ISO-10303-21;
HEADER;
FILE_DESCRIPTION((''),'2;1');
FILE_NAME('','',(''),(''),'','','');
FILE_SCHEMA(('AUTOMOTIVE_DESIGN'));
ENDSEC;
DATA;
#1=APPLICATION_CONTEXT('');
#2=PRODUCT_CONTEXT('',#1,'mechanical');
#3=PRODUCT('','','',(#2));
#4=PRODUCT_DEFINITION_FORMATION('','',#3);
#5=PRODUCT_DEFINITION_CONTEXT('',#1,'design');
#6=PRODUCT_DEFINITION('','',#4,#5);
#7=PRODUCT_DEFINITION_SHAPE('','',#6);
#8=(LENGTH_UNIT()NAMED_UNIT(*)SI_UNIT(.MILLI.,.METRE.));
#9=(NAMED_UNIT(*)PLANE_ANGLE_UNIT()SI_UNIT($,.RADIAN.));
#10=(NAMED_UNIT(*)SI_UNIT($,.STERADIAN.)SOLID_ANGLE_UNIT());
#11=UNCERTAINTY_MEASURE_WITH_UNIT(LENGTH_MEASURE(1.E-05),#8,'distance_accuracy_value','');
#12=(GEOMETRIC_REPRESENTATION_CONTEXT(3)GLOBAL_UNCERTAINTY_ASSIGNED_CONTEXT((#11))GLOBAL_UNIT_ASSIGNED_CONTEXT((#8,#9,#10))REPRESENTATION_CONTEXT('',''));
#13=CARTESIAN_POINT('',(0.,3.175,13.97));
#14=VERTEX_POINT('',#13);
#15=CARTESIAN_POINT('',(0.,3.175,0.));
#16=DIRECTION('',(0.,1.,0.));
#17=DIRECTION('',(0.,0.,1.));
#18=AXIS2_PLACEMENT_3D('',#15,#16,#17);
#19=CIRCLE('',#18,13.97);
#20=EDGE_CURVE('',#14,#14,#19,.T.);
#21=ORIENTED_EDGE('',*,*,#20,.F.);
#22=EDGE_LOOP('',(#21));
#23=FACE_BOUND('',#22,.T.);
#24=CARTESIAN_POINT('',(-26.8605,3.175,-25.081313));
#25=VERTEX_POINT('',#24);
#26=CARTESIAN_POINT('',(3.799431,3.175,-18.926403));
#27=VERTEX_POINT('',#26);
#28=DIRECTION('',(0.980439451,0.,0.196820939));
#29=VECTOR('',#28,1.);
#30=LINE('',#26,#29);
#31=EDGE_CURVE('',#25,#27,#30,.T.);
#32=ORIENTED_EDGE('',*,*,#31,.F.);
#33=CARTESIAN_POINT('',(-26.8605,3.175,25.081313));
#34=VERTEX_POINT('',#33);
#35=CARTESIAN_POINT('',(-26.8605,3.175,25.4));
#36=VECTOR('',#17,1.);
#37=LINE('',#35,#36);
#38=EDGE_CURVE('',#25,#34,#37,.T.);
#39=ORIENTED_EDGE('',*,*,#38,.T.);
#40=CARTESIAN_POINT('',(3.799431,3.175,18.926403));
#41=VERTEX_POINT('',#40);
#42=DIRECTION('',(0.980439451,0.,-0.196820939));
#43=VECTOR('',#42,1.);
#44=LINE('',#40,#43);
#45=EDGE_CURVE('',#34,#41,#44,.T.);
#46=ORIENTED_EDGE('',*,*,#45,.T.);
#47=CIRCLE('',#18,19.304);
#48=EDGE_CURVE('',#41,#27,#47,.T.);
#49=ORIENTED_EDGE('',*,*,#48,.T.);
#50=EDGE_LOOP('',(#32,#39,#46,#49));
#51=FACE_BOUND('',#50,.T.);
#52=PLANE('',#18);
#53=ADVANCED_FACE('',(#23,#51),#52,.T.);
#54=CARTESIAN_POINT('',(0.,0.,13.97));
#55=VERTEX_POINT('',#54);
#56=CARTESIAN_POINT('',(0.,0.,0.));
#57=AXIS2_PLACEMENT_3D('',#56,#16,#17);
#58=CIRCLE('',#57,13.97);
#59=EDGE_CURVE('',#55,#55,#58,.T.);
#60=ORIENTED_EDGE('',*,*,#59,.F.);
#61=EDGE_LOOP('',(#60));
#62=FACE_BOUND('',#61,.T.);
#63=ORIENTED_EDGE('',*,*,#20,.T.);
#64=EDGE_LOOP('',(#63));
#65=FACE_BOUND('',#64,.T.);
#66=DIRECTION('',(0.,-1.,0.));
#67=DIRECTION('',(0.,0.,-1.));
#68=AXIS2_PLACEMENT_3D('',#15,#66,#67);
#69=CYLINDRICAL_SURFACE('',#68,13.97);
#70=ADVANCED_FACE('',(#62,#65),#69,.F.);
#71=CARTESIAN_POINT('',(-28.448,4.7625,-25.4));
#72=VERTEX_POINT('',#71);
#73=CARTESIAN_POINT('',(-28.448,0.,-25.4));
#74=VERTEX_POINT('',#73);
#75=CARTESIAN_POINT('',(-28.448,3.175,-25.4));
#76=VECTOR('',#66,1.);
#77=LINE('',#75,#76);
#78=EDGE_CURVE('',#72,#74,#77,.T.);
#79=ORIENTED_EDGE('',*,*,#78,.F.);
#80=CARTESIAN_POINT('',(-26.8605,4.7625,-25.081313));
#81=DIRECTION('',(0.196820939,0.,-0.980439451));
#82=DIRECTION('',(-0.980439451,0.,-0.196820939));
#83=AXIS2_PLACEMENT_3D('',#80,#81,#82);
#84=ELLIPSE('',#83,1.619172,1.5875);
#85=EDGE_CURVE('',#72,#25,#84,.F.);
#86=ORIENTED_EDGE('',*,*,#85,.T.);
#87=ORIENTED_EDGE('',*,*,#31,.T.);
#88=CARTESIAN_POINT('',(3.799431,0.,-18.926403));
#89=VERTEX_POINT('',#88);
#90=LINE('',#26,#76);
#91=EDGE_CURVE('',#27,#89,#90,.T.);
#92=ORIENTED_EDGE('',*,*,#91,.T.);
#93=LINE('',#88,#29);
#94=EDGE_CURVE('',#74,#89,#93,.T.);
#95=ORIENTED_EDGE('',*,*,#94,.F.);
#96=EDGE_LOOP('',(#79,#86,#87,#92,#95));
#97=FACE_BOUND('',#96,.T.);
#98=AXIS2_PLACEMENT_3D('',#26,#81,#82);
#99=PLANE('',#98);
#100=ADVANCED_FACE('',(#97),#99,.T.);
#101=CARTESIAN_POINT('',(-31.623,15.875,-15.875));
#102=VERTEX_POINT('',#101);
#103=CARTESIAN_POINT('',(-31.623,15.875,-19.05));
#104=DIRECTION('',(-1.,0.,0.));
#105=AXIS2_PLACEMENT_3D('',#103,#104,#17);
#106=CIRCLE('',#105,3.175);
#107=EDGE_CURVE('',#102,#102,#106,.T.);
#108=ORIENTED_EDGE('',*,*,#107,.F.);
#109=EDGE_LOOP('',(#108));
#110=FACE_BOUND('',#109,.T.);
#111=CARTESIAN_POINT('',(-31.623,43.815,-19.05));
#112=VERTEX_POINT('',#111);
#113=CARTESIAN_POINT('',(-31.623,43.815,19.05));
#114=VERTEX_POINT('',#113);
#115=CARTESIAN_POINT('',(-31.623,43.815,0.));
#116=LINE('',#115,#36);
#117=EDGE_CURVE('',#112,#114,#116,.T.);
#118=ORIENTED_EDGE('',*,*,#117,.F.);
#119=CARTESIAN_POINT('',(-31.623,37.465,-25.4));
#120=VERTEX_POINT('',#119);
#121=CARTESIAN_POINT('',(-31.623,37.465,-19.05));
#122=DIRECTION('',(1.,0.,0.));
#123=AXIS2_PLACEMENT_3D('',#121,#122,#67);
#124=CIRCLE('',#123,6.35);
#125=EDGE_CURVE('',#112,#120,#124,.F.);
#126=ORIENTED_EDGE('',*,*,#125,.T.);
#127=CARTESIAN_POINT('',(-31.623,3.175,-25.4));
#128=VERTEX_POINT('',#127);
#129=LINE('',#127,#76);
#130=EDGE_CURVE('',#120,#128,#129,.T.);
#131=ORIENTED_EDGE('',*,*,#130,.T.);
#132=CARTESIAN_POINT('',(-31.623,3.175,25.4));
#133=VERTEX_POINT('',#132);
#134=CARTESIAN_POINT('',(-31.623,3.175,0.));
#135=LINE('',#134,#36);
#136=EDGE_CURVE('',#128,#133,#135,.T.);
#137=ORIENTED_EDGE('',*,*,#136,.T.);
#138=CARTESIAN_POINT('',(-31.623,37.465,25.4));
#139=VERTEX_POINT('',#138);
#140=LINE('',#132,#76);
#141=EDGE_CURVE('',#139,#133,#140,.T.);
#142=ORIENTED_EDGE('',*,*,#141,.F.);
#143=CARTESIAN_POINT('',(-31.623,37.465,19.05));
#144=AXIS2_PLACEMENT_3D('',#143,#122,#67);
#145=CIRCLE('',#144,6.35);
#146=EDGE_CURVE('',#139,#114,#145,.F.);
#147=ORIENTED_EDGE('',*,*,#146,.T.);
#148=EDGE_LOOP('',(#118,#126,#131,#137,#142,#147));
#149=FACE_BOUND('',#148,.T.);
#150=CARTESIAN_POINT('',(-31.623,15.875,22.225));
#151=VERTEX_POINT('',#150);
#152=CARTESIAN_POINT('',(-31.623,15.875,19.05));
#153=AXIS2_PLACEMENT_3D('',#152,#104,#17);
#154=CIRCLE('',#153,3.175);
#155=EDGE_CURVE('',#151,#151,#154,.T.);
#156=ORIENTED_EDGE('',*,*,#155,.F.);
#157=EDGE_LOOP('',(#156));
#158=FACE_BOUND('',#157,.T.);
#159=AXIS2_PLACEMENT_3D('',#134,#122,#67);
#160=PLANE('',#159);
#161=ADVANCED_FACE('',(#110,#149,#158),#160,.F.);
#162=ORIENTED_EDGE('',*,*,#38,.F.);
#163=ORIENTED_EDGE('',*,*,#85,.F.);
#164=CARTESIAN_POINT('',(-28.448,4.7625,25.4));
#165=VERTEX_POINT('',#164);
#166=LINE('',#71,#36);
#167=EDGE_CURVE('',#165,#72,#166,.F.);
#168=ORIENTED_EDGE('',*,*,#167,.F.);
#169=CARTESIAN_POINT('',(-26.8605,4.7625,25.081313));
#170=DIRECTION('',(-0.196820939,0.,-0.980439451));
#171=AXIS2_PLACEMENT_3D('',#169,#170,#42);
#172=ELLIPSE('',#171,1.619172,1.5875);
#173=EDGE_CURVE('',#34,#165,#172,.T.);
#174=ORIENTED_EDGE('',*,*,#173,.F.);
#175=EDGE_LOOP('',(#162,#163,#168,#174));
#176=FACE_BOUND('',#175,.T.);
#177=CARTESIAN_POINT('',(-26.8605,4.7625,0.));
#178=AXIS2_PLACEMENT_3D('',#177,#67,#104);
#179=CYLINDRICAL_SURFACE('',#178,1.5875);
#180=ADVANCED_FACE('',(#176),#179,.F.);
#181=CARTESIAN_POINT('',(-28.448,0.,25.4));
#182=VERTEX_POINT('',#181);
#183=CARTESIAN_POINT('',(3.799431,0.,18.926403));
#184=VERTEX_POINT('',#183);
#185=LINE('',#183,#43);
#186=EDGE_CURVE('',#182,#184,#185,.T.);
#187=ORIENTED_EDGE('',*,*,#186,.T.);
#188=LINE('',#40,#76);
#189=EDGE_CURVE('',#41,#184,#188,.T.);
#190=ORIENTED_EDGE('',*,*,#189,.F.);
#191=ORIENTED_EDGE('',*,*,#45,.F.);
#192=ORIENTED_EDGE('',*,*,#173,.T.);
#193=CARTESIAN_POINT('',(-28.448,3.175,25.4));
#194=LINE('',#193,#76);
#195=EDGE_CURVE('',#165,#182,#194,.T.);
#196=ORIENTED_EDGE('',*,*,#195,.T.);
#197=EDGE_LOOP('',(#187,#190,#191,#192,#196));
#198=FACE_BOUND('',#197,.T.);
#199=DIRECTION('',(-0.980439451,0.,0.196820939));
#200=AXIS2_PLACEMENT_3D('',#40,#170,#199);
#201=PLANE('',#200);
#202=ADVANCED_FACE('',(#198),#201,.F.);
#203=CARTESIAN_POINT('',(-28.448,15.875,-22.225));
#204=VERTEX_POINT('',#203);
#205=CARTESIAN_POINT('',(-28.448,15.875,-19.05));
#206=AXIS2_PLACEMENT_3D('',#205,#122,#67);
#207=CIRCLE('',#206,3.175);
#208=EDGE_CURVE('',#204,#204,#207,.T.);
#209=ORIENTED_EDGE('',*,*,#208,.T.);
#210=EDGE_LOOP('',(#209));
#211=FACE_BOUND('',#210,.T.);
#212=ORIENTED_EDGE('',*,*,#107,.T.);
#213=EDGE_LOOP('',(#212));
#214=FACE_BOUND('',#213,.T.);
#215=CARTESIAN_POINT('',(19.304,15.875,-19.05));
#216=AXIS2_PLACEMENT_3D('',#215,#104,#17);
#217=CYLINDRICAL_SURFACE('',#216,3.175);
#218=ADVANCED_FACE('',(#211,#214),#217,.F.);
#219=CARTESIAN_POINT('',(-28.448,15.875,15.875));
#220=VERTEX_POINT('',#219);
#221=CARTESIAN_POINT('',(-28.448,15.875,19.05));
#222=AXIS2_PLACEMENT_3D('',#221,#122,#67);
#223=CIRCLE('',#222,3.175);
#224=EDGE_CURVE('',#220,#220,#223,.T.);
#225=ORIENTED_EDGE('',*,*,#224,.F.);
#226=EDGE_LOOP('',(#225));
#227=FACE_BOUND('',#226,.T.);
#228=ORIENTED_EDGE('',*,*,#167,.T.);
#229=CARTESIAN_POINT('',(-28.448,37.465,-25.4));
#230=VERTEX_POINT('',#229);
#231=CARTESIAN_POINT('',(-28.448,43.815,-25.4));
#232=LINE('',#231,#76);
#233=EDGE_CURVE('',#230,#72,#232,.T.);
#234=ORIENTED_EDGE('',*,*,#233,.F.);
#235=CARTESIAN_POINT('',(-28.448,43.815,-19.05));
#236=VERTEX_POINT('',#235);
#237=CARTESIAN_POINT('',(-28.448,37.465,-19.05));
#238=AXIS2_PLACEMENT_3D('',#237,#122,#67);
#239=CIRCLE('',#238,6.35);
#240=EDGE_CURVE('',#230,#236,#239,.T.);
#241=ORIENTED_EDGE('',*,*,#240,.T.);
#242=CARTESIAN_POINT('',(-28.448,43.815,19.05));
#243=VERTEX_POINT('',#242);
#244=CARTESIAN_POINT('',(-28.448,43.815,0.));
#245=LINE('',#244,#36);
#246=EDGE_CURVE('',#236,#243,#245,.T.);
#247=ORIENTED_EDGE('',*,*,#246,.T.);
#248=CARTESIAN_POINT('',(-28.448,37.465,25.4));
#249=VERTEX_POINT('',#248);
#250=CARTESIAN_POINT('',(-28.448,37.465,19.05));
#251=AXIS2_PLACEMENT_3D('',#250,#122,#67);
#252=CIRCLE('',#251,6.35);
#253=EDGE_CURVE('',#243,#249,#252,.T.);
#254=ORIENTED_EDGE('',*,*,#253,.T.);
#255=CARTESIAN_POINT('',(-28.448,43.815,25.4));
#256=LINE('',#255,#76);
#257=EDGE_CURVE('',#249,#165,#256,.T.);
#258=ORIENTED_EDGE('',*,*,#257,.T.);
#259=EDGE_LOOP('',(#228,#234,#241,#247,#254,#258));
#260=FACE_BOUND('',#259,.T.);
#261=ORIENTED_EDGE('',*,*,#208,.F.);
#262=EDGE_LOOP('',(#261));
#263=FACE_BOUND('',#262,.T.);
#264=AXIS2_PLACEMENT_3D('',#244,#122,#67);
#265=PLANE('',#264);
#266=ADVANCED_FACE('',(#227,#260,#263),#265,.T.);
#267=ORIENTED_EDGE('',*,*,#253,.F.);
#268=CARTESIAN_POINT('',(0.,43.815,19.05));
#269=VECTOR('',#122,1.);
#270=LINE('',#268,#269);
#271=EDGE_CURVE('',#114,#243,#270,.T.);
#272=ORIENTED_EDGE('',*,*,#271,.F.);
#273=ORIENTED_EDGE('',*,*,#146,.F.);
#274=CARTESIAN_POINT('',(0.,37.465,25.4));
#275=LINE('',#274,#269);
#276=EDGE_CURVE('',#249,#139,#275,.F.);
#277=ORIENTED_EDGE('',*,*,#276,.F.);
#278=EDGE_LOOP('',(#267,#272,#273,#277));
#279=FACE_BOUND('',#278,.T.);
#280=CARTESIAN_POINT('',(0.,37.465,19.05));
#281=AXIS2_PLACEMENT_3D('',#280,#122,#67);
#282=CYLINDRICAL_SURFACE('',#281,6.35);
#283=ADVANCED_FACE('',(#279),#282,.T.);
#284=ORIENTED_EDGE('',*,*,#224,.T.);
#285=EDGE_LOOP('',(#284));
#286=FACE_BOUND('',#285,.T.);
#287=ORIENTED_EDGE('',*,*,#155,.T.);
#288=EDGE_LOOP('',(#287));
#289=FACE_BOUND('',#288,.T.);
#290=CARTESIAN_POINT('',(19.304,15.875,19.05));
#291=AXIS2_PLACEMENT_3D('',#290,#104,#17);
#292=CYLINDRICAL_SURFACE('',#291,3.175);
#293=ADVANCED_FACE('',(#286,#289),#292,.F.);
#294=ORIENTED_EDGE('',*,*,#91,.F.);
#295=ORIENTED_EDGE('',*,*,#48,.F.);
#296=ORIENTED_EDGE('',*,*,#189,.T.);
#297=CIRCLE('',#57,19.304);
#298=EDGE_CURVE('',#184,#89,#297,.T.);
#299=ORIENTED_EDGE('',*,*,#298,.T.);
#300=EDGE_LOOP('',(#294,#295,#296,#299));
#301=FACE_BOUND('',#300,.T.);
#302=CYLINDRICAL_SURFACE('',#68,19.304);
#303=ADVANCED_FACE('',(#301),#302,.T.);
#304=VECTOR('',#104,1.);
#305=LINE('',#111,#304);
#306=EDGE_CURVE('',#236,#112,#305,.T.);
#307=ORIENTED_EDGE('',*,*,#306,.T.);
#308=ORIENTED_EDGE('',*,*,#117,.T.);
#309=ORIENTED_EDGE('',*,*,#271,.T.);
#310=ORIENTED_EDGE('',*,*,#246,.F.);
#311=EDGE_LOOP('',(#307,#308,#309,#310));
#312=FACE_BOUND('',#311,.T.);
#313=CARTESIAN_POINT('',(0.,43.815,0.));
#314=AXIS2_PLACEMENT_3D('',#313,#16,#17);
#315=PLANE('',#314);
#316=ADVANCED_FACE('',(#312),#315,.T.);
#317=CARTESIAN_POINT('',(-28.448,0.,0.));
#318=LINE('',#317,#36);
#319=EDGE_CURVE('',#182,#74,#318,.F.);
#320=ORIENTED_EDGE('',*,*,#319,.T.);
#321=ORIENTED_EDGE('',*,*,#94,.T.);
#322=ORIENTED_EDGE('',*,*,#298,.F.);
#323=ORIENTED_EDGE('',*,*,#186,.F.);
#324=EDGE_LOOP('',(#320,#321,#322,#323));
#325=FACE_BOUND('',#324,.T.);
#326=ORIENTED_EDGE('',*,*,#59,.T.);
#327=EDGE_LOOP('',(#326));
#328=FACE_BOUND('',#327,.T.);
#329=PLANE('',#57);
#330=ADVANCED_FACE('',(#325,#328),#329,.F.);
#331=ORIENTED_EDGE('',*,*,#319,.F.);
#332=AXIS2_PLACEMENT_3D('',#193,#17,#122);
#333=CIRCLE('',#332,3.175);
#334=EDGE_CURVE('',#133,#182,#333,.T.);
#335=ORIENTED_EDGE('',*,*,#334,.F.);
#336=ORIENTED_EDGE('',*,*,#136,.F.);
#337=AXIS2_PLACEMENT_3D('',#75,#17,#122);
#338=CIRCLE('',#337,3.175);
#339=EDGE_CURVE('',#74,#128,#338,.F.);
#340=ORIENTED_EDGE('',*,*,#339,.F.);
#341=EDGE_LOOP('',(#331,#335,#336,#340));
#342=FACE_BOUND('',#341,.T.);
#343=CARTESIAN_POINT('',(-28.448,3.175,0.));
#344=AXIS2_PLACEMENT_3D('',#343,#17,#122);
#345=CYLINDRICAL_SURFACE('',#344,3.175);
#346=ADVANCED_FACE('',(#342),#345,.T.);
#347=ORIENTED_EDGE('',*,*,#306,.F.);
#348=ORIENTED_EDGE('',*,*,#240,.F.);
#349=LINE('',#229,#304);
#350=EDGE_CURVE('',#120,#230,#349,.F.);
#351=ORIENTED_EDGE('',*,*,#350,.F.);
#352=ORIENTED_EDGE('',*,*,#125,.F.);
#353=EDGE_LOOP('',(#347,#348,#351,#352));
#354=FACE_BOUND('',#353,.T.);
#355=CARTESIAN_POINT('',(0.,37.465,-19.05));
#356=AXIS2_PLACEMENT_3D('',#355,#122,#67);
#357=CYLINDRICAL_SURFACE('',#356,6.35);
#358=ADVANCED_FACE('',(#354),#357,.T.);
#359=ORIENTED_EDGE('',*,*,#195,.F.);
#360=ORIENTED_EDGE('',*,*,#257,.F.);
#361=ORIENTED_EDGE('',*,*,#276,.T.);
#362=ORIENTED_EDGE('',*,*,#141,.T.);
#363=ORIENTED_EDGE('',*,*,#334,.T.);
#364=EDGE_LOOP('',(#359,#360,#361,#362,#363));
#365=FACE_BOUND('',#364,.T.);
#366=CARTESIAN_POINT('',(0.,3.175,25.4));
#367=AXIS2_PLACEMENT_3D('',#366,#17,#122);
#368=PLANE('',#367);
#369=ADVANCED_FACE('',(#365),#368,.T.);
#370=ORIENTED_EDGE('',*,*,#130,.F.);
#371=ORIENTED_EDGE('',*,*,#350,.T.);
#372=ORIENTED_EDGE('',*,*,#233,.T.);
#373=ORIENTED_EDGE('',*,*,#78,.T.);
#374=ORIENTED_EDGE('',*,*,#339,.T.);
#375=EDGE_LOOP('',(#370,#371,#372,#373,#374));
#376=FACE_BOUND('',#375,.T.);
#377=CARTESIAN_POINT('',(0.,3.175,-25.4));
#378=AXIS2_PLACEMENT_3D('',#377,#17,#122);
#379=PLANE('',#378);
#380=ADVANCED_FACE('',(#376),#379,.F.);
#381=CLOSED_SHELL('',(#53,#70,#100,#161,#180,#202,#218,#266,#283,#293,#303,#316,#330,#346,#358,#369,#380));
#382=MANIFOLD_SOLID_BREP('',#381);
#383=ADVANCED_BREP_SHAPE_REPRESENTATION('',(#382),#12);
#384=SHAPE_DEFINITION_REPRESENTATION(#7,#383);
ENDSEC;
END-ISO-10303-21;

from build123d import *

# Parameters (mm, degrees)
SKETCH1_R           = 13.97
BOSS_EXTRUDE1_DEPTH = 3.175
SKETCH2_W           = 3.175
SKETCH2_H           = 50.8
BOSS_EXTRUDE2_DEPTH = 40.64
FILLET1_R           = 1.5875
FILLET2_R           = 3.175
SKETCH6_R           = 3.175
CUT_EXTRUDE2_DEPTH  = 51.927
FILLET3_R           = 6.35


with BuildPart() as part:
    # Sketch1 → Boss-Extrude1 (new body)
    with BuildSketch(Plane(origin=(0, 0, 0), x_dir=(1, 0, 0), z_dir=(0, 1, 0))):
        with BuildLine():
            ThreePointArc((3.799431403, -18.926403172), (19.304, 0), (3.799431403, 18.926403172))
            Line((3.799431403, 18.926403172), (-28.448, 25.4))
            Line((-28.448, 25.4), (-31.623, 25.4))
            Line((-31.623, 25.4), (-31.623, -25.4))
            Line((-31.623, -25.4), (-28.448, -25.4))
            Line((-28.448, -25.4), (3.799431403, -18.926403172))
        make_face()
        Circle(SKETCH1_R, mode=Mode.SUBTRACT)
    extrude(amount=BOSS_EXTRUDE1_DEPTH)

    # Sketch2 → Boss-Extrude2 (add)
    with BuildSketch(Plane(origin=(0, 3.175, 0), x_dir=(1, 0, 0), z_dir=(0, 1, 0))):
        with Locations((-30.0355, 0)):
            Rectangle(SKETCH2_W, SKETCH2_H)
    extrude(amount=BOSS_EXTRUDE2_DEPTH)

    # Fillet1
    fillet1_edges = [part.edges().sort_by_distance(p)[0] for p in [
        (-28.448, 3.175, 0),
    ]]
    fillet(fillet1_edges, radius=FILLET1_R)

    # Fillet2
    fillet2_edges = [part.edges().sort_by_distance(p)[0] for p in [
        (-31.623, 0, 0),
    ]]
    fillet(fillet2_edges, radius=FILLET2_R)

    # Sketch6 → Cut-Extrude2 (cut, through all)
    with BuildSketch(Plane.ZY.offset(31.623)):
        with Locations((-19.05, 15.875)):
            Circle(SKETCH6_R)
        with Locations((19.05, 15.875)):
            Circle(SKETCH6_R)
    extrude(amount=-CUT_EXTRUDE2_DEPTH, mode=Mode.SUBTRACT)

    # Fillet3
    fillet3_edges = [part.edges().sort_by_distance(p)[0] for p in [
        (-30.0355, 43.815, -25.4),
        (-30.0355, 43.815, 25.4),
    ]]
    fillet(fillet3_edges, radius=FILLET3_R)


solid = part.part
